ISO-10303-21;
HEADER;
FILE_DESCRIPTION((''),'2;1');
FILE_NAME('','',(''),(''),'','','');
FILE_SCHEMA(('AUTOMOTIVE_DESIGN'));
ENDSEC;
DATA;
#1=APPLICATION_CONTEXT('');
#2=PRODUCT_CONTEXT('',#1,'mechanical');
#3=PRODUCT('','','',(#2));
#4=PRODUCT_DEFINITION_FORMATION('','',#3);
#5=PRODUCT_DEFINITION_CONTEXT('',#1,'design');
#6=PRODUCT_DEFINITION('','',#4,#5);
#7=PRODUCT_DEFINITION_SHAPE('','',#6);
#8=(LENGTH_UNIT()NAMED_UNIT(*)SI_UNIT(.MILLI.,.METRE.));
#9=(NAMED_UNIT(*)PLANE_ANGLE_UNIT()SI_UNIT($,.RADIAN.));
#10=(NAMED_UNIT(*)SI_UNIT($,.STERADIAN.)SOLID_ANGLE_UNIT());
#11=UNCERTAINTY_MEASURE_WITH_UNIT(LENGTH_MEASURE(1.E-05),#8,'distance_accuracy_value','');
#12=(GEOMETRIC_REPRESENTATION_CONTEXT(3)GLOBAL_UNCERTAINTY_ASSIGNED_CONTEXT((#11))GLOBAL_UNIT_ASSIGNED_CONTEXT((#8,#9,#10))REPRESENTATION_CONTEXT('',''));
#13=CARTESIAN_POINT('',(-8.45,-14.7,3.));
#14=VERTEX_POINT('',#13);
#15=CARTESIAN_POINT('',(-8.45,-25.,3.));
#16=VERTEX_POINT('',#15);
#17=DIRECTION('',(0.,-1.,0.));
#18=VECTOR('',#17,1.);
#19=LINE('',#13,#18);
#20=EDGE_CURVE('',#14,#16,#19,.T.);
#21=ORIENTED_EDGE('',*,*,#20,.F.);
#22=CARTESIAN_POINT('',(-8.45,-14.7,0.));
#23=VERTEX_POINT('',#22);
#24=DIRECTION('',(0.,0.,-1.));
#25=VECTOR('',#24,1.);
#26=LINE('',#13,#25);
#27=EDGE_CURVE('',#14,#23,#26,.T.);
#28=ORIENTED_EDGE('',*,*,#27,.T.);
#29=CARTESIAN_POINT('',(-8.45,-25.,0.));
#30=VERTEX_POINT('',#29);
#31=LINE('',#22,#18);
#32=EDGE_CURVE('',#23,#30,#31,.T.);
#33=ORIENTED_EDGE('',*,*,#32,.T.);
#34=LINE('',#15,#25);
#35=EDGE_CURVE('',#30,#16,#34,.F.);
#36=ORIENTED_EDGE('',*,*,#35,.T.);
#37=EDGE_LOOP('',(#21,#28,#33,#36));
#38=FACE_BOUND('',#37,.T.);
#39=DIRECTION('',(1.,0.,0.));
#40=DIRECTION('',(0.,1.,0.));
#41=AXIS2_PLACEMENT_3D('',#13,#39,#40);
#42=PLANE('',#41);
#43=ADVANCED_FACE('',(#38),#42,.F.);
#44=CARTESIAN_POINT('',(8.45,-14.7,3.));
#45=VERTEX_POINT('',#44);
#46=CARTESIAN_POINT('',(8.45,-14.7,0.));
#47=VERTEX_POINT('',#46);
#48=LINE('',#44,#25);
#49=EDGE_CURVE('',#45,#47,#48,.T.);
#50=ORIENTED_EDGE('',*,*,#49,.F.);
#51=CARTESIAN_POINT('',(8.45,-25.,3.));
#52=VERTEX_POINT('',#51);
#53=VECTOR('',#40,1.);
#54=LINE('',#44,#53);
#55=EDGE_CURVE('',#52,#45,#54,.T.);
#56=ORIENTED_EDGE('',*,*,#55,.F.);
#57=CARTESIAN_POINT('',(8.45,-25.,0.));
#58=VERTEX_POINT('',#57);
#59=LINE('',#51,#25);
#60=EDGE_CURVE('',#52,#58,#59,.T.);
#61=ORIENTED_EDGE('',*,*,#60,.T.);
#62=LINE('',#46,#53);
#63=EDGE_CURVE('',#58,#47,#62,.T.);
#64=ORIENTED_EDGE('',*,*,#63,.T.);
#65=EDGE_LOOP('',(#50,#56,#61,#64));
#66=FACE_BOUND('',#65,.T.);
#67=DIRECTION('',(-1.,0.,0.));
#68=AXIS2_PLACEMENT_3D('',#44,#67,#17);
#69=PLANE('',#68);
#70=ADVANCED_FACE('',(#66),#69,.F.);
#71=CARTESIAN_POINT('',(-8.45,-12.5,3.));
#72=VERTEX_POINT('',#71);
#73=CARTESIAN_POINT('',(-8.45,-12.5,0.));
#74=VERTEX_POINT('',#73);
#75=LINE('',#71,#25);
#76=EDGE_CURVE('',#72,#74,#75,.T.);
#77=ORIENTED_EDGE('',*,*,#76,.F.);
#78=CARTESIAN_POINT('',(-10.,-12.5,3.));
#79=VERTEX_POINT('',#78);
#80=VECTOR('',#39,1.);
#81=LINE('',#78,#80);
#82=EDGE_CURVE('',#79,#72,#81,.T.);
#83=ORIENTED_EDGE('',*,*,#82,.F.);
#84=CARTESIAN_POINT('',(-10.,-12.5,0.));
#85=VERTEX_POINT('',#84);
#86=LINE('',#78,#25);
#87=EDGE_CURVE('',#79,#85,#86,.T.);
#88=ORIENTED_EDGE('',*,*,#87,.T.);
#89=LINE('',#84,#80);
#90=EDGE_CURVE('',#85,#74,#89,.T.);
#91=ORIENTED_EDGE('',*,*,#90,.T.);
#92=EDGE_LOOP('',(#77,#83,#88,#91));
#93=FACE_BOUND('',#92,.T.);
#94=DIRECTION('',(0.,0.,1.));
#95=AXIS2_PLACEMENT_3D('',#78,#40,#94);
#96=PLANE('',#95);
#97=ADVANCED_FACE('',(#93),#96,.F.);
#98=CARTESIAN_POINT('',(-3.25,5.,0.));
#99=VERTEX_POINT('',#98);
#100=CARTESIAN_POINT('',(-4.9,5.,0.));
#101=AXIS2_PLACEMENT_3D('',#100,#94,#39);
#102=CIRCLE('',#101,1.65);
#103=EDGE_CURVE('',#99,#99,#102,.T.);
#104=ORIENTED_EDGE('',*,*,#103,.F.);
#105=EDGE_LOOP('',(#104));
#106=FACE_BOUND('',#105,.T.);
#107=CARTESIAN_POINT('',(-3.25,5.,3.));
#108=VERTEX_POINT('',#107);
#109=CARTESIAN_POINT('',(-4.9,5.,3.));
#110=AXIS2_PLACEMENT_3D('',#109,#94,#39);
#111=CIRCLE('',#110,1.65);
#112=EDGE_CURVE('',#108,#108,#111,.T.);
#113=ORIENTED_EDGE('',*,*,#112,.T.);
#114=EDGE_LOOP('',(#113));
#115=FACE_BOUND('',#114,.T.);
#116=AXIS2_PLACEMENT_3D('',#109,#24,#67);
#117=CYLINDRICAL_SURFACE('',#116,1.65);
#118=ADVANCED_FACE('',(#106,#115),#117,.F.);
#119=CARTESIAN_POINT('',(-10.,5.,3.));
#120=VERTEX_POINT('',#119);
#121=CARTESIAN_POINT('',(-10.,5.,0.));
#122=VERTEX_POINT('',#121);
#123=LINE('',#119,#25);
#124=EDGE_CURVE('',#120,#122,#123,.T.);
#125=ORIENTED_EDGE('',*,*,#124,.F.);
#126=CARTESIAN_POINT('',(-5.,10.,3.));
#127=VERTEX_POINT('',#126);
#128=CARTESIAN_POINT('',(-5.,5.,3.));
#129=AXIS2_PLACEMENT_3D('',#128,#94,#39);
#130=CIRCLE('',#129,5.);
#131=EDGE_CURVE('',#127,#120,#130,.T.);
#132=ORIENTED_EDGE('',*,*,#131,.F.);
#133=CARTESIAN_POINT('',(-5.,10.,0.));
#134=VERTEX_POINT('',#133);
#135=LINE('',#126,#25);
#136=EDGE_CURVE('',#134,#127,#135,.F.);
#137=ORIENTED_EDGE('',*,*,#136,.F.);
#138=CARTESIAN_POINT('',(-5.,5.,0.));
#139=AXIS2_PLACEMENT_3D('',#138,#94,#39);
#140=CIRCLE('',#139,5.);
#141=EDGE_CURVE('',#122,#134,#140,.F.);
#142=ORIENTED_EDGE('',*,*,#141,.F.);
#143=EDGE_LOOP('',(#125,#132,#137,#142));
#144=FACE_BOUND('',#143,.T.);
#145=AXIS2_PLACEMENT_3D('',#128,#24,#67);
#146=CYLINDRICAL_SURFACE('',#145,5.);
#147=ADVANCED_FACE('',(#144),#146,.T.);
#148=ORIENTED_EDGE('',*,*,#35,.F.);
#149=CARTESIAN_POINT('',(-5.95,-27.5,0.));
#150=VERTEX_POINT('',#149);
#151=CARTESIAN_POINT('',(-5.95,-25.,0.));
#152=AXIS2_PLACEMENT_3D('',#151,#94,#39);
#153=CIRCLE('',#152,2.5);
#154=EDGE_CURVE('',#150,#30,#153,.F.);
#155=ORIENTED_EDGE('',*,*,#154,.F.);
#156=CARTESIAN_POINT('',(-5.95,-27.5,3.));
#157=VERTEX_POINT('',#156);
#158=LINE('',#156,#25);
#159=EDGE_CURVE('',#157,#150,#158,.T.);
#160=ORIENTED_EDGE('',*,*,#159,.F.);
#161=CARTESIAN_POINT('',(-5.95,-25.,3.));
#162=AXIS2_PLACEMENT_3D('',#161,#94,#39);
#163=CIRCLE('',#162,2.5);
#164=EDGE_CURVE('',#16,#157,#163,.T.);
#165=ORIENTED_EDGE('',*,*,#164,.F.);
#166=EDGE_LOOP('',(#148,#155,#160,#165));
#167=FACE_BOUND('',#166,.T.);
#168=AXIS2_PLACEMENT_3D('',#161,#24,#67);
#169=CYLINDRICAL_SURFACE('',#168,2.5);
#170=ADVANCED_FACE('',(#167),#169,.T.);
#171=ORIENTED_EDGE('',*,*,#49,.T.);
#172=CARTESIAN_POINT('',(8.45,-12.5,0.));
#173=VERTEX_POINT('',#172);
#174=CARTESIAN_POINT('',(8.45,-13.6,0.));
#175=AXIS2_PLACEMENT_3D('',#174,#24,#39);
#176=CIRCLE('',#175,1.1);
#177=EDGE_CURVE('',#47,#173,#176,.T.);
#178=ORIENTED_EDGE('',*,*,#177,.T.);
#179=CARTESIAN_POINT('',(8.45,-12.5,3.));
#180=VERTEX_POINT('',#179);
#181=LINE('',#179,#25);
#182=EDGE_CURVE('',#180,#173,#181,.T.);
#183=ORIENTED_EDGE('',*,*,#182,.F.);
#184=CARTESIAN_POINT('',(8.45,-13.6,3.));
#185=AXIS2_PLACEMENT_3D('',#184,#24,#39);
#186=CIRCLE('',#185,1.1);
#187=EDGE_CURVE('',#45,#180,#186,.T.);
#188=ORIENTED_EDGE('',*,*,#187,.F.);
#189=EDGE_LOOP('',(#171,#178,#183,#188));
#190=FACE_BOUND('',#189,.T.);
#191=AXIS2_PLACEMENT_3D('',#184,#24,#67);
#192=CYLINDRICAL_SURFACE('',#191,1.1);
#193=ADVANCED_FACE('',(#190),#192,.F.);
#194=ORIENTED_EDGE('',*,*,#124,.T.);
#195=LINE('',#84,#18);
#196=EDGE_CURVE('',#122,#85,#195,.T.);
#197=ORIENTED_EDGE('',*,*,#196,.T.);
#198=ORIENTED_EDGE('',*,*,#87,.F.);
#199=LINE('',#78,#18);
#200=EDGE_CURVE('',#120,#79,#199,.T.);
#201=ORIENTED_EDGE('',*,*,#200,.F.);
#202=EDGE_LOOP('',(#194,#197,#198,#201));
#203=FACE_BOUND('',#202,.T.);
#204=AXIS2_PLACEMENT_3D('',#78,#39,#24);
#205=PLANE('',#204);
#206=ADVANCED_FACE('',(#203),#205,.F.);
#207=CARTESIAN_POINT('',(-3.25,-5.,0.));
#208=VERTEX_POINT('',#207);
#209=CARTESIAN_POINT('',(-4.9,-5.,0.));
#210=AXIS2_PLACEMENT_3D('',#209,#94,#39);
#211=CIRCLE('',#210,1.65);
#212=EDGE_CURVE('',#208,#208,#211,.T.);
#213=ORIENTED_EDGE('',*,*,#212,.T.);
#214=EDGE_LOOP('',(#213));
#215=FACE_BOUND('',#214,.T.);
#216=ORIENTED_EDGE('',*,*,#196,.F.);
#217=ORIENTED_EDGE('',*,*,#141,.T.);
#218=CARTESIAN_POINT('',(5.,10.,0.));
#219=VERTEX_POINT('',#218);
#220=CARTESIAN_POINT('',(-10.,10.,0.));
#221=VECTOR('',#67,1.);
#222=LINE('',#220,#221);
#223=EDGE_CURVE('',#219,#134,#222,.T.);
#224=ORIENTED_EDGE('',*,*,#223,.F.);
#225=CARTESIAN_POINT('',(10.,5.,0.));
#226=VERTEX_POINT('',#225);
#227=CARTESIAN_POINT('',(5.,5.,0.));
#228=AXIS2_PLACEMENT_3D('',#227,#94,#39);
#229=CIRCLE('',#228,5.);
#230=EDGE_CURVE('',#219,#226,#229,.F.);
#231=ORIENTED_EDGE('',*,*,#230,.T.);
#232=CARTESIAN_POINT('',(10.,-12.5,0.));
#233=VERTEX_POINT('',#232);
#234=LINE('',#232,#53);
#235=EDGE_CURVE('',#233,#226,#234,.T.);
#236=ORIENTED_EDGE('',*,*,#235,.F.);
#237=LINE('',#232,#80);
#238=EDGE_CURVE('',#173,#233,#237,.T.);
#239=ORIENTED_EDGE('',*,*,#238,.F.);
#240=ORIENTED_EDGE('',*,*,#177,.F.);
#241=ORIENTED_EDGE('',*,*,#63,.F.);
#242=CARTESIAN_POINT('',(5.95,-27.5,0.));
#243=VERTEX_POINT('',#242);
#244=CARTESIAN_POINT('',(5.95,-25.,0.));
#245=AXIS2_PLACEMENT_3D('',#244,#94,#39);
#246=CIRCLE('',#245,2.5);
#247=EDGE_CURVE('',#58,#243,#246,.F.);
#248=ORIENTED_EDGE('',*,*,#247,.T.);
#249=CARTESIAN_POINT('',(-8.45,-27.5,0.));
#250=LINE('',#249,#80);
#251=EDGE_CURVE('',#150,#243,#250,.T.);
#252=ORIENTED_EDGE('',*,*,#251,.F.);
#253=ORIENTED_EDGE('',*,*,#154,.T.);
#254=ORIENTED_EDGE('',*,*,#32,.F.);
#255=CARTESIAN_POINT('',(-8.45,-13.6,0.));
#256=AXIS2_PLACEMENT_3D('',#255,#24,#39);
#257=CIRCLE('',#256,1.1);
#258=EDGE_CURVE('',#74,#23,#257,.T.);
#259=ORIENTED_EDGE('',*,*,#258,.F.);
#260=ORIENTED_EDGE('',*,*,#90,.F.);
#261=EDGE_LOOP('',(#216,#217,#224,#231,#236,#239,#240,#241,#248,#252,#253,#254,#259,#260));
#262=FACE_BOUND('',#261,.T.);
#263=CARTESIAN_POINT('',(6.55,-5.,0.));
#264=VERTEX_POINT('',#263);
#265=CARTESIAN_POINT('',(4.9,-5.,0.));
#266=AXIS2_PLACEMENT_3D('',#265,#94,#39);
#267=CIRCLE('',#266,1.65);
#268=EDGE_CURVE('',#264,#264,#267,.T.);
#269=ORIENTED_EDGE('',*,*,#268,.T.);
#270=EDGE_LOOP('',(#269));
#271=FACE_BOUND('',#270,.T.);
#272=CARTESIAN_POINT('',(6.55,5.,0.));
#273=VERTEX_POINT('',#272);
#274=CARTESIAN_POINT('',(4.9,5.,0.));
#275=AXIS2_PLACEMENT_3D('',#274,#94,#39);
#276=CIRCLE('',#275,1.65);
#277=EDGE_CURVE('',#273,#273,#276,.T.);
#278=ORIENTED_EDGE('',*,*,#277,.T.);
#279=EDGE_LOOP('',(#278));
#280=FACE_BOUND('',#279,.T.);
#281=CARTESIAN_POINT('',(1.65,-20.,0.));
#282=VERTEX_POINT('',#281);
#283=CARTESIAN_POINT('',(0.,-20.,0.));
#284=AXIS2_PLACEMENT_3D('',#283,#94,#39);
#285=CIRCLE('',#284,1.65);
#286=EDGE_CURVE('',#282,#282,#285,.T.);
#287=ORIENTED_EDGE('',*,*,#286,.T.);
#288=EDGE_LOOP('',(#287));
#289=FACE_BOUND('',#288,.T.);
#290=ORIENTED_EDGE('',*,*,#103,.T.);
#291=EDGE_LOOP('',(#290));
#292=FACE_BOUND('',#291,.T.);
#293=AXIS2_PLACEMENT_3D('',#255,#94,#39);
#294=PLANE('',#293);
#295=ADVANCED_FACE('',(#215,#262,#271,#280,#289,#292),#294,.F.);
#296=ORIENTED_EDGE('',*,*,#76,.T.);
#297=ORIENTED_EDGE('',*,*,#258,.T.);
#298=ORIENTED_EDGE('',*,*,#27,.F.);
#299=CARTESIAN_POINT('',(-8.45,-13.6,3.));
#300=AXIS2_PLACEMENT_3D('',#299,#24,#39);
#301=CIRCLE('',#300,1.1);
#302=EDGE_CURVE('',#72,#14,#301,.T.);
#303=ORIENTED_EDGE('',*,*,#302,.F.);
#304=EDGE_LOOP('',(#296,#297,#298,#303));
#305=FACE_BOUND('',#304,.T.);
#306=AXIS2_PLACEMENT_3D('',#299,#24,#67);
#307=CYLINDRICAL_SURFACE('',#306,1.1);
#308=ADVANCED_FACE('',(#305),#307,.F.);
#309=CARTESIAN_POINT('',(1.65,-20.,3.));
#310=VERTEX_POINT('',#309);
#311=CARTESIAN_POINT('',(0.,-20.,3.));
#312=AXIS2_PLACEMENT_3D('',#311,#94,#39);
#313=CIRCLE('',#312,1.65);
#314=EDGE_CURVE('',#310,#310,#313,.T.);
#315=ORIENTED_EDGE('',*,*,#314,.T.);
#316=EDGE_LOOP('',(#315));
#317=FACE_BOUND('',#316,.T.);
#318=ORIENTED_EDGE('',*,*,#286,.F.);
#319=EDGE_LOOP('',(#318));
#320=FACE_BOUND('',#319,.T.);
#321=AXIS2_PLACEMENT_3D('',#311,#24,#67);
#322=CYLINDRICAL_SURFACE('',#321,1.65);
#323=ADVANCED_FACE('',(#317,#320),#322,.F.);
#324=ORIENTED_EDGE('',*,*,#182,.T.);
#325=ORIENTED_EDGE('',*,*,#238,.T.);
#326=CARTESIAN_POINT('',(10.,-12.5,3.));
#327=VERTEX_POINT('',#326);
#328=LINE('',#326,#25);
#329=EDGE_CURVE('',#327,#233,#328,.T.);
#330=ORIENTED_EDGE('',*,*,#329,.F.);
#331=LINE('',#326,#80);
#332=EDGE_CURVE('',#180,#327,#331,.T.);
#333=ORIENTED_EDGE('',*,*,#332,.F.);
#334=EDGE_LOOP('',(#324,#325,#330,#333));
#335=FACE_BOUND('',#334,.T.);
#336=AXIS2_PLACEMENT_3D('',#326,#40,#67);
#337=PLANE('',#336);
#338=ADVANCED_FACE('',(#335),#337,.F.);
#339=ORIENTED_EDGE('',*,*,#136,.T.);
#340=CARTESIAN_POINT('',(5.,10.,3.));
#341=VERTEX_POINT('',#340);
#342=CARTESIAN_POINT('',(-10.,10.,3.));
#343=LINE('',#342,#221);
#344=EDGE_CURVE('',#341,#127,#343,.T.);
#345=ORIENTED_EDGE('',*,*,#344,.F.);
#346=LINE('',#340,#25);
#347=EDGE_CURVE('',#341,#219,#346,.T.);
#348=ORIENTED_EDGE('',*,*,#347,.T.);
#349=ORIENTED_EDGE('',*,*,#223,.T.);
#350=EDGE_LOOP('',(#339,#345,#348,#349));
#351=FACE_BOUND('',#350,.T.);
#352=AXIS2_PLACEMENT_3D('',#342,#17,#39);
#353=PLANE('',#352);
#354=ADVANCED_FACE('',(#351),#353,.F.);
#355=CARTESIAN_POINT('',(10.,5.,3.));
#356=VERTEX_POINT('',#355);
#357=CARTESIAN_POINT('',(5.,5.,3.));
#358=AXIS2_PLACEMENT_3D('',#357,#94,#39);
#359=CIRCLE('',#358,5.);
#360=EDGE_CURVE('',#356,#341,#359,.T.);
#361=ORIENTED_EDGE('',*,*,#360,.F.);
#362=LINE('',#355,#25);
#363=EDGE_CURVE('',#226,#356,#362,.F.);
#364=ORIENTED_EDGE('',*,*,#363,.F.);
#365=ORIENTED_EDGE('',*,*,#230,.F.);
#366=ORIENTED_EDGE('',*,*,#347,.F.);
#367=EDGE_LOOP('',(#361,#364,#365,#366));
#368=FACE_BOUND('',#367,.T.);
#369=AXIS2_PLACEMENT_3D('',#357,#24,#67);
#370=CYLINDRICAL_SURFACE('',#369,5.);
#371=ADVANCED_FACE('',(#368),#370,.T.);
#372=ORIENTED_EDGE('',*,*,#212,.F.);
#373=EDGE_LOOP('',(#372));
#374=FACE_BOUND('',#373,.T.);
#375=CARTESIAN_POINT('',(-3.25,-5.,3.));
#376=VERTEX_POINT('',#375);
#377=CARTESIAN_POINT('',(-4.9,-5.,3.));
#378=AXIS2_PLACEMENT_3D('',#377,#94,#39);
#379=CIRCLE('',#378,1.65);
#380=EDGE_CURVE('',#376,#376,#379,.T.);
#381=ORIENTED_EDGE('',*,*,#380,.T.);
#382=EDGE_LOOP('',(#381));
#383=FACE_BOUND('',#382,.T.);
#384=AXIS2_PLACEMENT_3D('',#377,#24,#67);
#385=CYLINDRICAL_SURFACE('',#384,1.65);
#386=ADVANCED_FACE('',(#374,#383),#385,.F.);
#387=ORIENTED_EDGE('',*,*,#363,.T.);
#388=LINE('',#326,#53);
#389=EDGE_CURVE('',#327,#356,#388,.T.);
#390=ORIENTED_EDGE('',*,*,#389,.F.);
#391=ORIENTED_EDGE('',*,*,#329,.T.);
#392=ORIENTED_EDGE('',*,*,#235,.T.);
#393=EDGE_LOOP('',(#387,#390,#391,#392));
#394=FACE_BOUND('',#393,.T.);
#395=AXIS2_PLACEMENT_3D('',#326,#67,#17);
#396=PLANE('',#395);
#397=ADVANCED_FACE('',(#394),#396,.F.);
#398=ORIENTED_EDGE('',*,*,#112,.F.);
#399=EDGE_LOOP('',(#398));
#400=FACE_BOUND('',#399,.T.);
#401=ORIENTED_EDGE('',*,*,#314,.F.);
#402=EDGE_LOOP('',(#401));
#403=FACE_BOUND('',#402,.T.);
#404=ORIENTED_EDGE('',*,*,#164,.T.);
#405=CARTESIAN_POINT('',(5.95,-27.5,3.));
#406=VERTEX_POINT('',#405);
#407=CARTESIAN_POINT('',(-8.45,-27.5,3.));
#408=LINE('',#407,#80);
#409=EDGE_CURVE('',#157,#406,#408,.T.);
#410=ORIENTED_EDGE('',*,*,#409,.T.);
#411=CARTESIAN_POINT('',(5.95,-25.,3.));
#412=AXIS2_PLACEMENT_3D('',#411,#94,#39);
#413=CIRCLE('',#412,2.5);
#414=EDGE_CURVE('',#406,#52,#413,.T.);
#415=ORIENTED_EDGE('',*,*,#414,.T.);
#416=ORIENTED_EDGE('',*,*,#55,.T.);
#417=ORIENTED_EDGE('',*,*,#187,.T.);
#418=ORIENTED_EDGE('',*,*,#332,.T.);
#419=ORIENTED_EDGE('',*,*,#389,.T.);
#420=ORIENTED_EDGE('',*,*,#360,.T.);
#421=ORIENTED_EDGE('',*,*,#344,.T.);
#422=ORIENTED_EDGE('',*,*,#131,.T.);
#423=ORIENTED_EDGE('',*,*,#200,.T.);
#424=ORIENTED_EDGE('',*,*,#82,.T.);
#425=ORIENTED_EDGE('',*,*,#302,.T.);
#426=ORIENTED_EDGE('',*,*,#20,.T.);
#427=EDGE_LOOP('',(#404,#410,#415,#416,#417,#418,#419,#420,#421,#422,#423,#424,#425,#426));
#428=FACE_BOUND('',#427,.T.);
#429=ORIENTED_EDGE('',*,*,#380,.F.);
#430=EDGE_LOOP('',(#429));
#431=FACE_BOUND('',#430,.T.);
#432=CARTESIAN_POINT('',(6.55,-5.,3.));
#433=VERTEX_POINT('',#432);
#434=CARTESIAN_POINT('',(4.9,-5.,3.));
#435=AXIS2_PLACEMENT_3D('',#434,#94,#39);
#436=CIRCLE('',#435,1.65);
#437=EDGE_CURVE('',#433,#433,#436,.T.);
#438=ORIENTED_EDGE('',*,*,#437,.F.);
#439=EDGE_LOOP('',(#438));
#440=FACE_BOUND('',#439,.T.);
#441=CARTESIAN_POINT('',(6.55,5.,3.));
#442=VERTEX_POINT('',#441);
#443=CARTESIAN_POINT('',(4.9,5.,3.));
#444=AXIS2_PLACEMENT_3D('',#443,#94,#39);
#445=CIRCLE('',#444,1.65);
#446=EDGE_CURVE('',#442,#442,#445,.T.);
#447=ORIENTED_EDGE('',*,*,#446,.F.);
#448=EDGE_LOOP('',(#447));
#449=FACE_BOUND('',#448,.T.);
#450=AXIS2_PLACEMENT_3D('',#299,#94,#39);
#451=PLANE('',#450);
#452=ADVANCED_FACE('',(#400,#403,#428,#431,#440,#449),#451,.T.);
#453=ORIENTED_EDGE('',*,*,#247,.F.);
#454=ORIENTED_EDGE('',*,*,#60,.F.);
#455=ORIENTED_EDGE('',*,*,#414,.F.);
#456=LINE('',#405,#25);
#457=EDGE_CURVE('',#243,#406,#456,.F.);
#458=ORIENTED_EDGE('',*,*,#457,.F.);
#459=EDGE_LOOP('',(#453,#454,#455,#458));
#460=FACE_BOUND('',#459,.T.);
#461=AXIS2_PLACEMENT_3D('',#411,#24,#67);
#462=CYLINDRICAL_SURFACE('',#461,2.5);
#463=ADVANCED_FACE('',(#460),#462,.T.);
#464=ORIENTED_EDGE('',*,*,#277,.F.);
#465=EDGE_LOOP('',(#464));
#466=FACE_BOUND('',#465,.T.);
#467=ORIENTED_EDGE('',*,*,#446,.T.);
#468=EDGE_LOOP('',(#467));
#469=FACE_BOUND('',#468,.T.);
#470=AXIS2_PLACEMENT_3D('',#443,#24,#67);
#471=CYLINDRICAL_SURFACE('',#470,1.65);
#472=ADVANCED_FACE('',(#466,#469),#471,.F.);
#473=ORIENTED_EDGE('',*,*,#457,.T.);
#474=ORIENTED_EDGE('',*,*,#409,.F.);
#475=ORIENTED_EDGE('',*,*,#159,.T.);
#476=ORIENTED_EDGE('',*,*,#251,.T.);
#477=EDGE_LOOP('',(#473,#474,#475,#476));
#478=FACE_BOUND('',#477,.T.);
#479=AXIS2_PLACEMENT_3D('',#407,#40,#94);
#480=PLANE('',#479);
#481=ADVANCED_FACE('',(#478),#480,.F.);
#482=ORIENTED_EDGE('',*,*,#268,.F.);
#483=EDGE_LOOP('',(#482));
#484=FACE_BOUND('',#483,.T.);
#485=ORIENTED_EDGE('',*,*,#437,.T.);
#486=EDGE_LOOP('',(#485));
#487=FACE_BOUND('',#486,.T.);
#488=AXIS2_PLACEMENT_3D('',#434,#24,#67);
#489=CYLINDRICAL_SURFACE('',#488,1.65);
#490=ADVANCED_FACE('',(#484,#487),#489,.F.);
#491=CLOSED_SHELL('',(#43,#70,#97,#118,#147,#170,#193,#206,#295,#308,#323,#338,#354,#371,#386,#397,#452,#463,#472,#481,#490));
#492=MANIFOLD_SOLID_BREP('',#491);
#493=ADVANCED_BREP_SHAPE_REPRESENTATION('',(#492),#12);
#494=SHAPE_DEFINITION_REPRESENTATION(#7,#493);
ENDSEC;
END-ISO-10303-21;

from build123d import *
from OCP.BRepFilletAPI import BRepFilletAPI_MakeFillet

# Parameters (mm, degrees)
SKETCH_2_R      = 1.65
EXTRUDE_1_DEPTH = 3
FILLET_3_R1     = 2.5
FILLET_3_R2     = 5


with BuildPart() as part:
    # ｽｹｯﾁ2 → ﾎﾞｽ - 押し出し1 (new body)
    with BuildSketch(Plane.XY):
        with BuildLine():
            Line((-8.45, -27.5), (8.45, -27.5))
            Line((8.45, -27.5), (8.45, -14.7))
            ThreePointArc((8.45, -14.7), (7.35, -13.6), (8.45, -12.5))
            Line((8.45, -12.5), (10, -12.5))
            Line((10, -12.5), (10, 10))
            Line((10, 10), (-10, 10))
            Line((-10, 10), (-10, -12.5))
            Line((-10, -12.5), (-8.45, -12.5))
            ThreePointArc((-8.45, -12.5), (-7.35, -13.6), (-8.45, -14.7))
            Line((-8.45, -14.7), (-8.45, -27.5))
        make_face()
        with Locations((-4.9, 5)):
            Circle(SKETCH_2_R, mode=Mode.SUBTRACT)
        with Locations((-4.9, -5)):
            Circle(SKETCH_2_R, mode=Mode.SUBTRACT)
        with Locations((4.9, -5)):
            Circle(SKETCH_2_R, mode=Mode.SUBTRACT)
        with Locations((4.9, 5)):
            Circle(SKETCH_2_R, mode=Mode.SUBTRACT)
        with Locations((0, -20)):
            Circle(SKETCH_2_R, mode=Mode.SUBTRACT)
    extrude(amount=EXTRUDE_1_DEPTH)

    # ﾌｨﾚｯﾄ3: one fillet with a radius per group of edges: ONE call of the kernel's fillet builder (fillet() takes one radius for all edges)
    fillet_3_edges_1 = [part.edges().sort_by_distance(p)[0] for p in [
        (-8.45, -27.5, 1.5),
        (8.45, -27.5, 1.5),
    ]]
    fillet_3_edges_2 = [part.edges().sort_by_distance(p)[0] for p in [
        (10, 10, 1.5),
        (-10, 10, 1.5),
    ]]
    fillet_3 = BRepFilletAPI_MakeFillet(part.part.solid().wrapped)
    for e in fillet_3_edges_1:
        fillet_3.Add(FILLET_3_R1, e.wrapped)
    for e in fillet_3_edges_2:
        fillet_3.Add(FILLET_3_R2, e.wrapped)
    add(Compound.cast(fillet_3.Shape()), mode=Mode.REPLACE)


solid = part.part
